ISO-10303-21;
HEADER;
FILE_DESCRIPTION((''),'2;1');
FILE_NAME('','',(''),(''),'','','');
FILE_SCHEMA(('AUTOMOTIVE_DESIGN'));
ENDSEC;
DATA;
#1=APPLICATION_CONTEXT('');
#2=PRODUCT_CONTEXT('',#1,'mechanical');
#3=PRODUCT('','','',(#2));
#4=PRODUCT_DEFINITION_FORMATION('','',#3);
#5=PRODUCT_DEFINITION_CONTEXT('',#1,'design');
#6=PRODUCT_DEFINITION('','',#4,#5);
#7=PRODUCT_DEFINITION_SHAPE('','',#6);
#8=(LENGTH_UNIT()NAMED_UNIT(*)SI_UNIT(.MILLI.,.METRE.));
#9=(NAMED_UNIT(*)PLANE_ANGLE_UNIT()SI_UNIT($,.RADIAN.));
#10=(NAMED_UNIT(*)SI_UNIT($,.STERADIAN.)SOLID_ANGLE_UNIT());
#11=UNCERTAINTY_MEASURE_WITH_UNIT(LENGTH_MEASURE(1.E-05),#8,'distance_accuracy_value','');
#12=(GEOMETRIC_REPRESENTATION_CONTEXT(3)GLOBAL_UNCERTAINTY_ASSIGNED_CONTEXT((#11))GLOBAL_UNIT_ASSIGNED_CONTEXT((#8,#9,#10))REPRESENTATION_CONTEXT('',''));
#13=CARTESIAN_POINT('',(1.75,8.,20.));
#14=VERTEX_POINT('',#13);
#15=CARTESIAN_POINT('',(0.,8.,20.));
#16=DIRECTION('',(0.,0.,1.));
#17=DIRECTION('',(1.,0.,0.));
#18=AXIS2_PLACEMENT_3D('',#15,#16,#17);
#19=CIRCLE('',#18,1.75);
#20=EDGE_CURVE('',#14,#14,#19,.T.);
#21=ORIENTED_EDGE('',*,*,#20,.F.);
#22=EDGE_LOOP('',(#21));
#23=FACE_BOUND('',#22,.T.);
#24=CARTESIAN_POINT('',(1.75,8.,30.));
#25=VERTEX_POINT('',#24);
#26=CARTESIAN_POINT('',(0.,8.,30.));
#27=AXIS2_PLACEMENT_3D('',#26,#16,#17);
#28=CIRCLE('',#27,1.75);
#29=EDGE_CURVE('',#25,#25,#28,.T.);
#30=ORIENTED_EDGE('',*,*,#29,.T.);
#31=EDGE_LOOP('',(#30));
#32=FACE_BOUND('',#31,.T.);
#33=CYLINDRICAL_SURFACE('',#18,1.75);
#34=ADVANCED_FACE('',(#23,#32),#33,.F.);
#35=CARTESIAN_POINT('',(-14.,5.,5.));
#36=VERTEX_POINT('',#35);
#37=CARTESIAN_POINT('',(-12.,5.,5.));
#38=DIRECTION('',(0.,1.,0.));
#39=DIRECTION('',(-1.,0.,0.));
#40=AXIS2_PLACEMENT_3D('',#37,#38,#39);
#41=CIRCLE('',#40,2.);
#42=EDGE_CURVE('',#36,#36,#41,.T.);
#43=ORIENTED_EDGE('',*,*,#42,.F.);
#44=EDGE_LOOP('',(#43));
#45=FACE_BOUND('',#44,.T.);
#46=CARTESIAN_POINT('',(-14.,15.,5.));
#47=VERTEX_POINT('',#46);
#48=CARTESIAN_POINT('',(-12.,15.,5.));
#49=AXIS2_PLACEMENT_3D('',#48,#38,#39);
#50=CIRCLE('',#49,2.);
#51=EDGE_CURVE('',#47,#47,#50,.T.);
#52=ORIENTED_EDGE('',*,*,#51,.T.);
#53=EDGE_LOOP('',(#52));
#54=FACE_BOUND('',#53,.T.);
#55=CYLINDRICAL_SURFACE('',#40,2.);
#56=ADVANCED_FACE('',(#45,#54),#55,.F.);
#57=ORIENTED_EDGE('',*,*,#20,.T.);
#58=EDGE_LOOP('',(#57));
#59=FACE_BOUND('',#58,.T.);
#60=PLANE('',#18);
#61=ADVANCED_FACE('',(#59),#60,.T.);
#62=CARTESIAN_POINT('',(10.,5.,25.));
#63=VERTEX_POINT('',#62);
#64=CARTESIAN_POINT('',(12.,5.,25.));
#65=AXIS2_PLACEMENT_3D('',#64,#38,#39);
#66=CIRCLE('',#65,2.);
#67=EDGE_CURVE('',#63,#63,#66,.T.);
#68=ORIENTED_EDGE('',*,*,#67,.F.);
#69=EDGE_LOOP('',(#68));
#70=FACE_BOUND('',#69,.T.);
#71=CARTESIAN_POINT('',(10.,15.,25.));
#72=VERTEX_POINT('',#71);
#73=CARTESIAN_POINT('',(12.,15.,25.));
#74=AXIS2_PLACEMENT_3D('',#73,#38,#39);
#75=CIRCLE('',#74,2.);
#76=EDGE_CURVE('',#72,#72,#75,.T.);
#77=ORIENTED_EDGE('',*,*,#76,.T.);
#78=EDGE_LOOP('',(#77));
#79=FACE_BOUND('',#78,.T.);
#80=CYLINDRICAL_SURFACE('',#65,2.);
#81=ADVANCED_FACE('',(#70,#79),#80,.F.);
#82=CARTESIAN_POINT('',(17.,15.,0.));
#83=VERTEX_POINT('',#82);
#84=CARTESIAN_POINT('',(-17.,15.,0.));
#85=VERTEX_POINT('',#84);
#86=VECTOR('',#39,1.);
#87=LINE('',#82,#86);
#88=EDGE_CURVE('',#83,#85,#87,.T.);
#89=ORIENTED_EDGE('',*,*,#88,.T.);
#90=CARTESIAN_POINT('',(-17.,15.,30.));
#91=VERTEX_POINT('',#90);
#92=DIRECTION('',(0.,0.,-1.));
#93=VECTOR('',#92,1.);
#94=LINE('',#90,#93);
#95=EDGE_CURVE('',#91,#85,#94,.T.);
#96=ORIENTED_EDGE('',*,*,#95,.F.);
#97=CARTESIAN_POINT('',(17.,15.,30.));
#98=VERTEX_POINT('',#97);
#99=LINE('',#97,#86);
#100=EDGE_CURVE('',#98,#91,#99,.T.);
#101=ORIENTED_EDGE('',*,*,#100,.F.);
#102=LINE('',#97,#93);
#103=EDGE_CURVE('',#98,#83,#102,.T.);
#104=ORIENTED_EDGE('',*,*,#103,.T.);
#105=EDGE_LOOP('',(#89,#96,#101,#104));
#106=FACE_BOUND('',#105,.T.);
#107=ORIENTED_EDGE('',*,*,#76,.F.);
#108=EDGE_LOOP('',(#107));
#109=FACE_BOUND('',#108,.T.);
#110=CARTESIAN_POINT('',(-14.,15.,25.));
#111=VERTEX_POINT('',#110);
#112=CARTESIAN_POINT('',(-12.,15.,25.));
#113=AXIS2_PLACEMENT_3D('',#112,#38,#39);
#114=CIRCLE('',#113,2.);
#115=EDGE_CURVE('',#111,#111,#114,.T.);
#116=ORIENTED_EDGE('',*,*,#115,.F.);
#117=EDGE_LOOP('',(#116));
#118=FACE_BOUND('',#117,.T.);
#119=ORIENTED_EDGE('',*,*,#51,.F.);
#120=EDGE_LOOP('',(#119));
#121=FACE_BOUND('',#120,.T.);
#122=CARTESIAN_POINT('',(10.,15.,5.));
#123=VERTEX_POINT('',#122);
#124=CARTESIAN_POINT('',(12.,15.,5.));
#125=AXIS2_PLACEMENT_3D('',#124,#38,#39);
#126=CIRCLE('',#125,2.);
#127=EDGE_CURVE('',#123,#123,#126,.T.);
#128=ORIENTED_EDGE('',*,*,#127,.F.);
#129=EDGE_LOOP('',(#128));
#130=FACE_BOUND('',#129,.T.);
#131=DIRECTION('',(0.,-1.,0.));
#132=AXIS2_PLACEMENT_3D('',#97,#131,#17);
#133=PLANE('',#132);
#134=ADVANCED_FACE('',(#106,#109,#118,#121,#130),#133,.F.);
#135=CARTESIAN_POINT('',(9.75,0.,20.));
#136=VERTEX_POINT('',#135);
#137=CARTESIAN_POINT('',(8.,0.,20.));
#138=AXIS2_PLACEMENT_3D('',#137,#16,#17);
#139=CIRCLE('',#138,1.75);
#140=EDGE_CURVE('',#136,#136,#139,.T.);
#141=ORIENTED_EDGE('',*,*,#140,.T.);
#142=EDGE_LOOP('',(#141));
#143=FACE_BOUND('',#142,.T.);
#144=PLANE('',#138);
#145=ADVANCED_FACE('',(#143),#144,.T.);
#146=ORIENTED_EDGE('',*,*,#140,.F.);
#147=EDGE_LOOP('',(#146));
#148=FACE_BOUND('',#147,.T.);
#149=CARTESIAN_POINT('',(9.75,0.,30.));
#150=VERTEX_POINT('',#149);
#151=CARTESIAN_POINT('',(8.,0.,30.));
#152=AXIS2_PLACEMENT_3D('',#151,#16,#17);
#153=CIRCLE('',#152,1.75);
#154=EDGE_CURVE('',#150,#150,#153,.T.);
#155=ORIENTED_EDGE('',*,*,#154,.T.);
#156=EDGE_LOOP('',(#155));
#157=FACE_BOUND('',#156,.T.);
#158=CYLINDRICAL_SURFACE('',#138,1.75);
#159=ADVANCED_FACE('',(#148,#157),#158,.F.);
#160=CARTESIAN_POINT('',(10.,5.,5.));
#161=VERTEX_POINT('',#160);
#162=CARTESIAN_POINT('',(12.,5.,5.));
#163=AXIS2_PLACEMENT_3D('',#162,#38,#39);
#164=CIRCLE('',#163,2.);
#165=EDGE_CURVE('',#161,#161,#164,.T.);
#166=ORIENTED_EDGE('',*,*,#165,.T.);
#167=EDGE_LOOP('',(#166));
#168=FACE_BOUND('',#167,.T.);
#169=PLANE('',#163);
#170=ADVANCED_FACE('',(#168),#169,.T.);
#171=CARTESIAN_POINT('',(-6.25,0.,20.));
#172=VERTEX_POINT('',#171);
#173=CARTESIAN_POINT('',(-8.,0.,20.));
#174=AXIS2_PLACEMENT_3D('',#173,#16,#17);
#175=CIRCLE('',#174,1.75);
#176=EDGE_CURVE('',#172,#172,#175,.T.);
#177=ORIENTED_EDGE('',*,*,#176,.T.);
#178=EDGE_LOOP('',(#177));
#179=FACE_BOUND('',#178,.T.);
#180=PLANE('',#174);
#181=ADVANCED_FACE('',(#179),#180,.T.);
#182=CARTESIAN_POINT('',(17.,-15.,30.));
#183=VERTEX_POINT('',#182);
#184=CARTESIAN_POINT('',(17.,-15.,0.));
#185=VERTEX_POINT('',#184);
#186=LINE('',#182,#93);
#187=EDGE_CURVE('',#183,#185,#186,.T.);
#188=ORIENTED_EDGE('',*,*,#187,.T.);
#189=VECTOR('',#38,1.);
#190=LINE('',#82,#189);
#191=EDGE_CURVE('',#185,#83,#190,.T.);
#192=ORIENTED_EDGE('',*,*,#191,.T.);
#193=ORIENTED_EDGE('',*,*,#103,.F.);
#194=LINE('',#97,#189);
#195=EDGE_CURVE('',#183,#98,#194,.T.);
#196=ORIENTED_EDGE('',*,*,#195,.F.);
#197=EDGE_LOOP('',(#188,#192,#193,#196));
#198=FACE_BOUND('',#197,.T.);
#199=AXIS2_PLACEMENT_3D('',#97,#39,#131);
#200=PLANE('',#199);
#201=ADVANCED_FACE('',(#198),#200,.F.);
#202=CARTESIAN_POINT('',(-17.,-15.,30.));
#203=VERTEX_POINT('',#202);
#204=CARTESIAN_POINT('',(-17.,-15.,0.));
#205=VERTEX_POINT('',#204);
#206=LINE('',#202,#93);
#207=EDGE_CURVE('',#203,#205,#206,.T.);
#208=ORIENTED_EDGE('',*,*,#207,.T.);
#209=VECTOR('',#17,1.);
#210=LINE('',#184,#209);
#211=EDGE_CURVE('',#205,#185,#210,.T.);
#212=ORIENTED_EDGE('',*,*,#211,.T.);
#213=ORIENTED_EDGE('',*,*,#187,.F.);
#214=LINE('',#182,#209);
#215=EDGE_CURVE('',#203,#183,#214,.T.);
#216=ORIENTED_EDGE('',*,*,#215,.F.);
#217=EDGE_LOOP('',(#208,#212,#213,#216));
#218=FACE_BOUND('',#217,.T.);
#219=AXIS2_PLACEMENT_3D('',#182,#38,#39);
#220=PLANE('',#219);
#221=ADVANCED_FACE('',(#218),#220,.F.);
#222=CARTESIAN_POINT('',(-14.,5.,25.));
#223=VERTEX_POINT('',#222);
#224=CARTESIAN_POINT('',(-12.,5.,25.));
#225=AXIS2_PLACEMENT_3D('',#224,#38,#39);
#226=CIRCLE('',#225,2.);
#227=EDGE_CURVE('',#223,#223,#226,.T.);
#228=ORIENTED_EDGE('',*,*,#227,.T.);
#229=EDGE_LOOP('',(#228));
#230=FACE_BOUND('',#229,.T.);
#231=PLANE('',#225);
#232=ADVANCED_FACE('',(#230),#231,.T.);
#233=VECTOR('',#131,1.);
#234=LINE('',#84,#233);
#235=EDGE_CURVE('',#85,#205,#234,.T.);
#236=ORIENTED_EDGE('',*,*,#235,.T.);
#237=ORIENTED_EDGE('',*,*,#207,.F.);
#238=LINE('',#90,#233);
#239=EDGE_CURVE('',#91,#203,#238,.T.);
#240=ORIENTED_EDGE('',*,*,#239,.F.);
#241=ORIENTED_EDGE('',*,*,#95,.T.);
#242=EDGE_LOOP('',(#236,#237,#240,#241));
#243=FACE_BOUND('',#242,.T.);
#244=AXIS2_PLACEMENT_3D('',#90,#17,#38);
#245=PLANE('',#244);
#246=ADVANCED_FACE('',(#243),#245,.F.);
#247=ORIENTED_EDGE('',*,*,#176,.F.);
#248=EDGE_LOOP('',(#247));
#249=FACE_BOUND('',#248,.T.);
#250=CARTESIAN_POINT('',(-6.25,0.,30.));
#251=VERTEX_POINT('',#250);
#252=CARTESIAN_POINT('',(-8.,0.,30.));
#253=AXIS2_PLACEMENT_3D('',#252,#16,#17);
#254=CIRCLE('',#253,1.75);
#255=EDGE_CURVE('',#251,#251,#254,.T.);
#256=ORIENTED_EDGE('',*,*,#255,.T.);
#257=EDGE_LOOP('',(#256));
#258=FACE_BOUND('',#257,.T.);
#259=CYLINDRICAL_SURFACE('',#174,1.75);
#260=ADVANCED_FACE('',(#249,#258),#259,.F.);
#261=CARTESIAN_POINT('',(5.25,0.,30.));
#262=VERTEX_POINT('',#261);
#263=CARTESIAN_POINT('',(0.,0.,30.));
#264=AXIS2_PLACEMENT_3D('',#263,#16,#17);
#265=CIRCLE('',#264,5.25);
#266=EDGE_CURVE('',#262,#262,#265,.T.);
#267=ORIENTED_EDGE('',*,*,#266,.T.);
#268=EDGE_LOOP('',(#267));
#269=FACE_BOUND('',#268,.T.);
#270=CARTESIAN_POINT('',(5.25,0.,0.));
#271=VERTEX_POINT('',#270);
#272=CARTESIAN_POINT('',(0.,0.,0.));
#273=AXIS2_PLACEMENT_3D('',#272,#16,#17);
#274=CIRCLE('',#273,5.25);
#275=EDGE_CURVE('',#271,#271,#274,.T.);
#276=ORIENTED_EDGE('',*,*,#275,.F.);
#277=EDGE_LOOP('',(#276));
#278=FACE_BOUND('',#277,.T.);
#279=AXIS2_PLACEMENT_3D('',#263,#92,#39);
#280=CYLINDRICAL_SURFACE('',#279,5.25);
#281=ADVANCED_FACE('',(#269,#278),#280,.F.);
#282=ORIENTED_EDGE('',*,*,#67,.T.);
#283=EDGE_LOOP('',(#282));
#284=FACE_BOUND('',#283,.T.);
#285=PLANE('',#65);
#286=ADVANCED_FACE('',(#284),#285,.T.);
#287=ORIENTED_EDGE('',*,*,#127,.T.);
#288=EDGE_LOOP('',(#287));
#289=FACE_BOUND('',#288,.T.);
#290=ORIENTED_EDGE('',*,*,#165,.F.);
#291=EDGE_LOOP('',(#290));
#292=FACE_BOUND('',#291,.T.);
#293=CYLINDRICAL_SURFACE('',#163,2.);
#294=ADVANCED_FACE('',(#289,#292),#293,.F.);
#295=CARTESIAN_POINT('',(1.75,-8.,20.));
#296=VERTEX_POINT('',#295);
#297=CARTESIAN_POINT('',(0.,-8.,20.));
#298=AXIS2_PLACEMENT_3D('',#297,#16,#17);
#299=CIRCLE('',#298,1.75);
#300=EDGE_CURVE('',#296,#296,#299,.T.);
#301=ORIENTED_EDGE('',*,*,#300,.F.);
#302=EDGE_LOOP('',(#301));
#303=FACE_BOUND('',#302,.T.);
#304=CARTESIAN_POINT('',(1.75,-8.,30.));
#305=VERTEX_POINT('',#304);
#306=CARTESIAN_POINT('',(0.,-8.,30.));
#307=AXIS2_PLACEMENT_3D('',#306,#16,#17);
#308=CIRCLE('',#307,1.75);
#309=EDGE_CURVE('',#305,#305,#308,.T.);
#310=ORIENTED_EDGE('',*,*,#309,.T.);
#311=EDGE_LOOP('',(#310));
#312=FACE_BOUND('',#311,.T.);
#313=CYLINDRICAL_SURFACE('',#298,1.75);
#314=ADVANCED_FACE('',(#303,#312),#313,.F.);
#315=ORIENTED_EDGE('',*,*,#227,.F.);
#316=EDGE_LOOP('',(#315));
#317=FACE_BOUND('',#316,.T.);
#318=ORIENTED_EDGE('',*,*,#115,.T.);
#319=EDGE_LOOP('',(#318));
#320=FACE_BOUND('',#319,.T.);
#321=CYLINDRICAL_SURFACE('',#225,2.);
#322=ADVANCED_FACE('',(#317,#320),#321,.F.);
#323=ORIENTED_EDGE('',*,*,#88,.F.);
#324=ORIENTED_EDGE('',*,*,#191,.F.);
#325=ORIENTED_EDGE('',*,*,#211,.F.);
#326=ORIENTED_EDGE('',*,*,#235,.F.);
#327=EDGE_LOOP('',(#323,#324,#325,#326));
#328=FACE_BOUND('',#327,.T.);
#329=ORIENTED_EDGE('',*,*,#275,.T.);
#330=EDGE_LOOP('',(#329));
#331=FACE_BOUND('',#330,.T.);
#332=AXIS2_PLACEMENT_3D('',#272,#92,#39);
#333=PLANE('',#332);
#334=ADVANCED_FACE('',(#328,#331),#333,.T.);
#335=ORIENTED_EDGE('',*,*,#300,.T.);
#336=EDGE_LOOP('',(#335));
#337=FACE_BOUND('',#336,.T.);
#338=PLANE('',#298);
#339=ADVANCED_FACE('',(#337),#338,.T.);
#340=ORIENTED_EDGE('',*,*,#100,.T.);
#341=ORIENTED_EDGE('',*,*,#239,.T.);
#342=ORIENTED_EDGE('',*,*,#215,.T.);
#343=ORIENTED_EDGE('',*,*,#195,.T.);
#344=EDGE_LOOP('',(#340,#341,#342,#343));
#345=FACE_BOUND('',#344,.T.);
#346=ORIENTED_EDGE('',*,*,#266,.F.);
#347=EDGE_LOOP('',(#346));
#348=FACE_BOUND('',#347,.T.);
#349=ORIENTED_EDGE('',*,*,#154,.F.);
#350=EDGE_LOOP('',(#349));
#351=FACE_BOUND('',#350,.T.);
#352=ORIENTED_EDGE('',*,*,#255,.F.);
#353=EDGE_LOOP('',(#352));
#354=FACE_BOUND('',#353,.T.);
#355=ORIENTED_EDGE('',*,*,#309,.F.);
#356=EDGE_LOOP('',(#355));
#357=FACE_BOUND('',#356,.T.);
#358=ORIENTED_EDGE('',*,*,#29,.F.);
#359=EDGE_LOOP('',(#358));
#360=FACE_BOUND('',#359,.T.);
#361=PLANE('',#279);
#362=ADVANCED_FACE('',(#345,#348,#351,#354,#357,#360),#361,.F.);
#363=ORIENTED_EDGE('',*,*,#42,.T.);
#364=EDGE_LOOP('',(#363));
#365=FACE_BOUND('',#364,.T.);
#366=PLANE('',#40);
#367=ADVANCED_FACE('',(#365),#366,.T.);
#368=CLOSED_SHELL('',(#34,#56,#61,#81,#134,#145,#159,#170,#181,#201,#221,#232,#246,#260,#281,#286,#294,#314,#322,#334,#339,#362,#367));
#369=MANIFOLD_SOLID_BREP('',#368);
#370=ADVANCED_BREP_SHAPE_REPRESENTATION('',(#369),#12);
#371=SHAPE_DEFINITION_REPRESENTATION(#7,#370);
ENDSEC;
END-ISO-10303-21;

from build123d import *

# Parameters (mm, degrees)
SKETCH_1_W          = 34
SKETCH_1_H          = 30
SKETCH_1_R          = 5.25
EXTRUDE_1_DEPTH     = 30
SKETCH_2_R          = 1.75
CUT_EXTRUDE_1_DEPTH = 10
SKETCH_4_R          = 2
CUT_EXTRUDE_3_DEPTH = 10


with BuildPart() as part:
    # 草图1 → 凸台-拉伸1 (new body)
    with BuildSketch(Plane.XY):
        Rectangle(SKETCH_1_W, SKETCH_1_H)
        Circle(SKETCH_1_R, mode=Mode.SUBTRACT)
    extrude(amount=EXTRUDE_1_DEPTH)

    # 草图2 → 切除-拉伸1 (cut)
    with BuildSketch(Plane.XY.offset(30)):
        with Locations((-8, 0)):
            Circle(SKETCH_2_R)
        with Locations((0, 8)):
            Circle(SKETCH_2_R)
        with Locations((8, 0)):
            Circle(SKETCH_2_R)
        with Locations((0, -8)):
            Circle(SKETCH_2_R)
    extrude(amount=-CUT_EXTRUDE_1_DEPTH, mode=Mode.SUBTRACT)

    # 草图4 → 切除-拉伸3 (cut)
    with BuildSketch(Plane(origin=(0, 15, 0), x_dir=(1, 0, 0), z_dir=(0, 1, 0))):
        with Locations(Location((12, -25, 0), (0, 0, 180))):
            Circle(SKETCH_4_R)
        with Locations(Location((-12, -25, 0), (0, 0, 180))):
            Circle(SKETCH_4_R)
        with Locations(Location((-12, -5, 0), (0, 0, 180))):
            Circle(SKETCH_4_R)
        with Locations(Location((12, -5, 0), (0, 0, 180))):
            Circle(SKETCH_4_R)
    extrude(amount=-CUT_EXTRUDE_3_DEPTH, mode=Mode.SUBTRACT)


solid = part.part
